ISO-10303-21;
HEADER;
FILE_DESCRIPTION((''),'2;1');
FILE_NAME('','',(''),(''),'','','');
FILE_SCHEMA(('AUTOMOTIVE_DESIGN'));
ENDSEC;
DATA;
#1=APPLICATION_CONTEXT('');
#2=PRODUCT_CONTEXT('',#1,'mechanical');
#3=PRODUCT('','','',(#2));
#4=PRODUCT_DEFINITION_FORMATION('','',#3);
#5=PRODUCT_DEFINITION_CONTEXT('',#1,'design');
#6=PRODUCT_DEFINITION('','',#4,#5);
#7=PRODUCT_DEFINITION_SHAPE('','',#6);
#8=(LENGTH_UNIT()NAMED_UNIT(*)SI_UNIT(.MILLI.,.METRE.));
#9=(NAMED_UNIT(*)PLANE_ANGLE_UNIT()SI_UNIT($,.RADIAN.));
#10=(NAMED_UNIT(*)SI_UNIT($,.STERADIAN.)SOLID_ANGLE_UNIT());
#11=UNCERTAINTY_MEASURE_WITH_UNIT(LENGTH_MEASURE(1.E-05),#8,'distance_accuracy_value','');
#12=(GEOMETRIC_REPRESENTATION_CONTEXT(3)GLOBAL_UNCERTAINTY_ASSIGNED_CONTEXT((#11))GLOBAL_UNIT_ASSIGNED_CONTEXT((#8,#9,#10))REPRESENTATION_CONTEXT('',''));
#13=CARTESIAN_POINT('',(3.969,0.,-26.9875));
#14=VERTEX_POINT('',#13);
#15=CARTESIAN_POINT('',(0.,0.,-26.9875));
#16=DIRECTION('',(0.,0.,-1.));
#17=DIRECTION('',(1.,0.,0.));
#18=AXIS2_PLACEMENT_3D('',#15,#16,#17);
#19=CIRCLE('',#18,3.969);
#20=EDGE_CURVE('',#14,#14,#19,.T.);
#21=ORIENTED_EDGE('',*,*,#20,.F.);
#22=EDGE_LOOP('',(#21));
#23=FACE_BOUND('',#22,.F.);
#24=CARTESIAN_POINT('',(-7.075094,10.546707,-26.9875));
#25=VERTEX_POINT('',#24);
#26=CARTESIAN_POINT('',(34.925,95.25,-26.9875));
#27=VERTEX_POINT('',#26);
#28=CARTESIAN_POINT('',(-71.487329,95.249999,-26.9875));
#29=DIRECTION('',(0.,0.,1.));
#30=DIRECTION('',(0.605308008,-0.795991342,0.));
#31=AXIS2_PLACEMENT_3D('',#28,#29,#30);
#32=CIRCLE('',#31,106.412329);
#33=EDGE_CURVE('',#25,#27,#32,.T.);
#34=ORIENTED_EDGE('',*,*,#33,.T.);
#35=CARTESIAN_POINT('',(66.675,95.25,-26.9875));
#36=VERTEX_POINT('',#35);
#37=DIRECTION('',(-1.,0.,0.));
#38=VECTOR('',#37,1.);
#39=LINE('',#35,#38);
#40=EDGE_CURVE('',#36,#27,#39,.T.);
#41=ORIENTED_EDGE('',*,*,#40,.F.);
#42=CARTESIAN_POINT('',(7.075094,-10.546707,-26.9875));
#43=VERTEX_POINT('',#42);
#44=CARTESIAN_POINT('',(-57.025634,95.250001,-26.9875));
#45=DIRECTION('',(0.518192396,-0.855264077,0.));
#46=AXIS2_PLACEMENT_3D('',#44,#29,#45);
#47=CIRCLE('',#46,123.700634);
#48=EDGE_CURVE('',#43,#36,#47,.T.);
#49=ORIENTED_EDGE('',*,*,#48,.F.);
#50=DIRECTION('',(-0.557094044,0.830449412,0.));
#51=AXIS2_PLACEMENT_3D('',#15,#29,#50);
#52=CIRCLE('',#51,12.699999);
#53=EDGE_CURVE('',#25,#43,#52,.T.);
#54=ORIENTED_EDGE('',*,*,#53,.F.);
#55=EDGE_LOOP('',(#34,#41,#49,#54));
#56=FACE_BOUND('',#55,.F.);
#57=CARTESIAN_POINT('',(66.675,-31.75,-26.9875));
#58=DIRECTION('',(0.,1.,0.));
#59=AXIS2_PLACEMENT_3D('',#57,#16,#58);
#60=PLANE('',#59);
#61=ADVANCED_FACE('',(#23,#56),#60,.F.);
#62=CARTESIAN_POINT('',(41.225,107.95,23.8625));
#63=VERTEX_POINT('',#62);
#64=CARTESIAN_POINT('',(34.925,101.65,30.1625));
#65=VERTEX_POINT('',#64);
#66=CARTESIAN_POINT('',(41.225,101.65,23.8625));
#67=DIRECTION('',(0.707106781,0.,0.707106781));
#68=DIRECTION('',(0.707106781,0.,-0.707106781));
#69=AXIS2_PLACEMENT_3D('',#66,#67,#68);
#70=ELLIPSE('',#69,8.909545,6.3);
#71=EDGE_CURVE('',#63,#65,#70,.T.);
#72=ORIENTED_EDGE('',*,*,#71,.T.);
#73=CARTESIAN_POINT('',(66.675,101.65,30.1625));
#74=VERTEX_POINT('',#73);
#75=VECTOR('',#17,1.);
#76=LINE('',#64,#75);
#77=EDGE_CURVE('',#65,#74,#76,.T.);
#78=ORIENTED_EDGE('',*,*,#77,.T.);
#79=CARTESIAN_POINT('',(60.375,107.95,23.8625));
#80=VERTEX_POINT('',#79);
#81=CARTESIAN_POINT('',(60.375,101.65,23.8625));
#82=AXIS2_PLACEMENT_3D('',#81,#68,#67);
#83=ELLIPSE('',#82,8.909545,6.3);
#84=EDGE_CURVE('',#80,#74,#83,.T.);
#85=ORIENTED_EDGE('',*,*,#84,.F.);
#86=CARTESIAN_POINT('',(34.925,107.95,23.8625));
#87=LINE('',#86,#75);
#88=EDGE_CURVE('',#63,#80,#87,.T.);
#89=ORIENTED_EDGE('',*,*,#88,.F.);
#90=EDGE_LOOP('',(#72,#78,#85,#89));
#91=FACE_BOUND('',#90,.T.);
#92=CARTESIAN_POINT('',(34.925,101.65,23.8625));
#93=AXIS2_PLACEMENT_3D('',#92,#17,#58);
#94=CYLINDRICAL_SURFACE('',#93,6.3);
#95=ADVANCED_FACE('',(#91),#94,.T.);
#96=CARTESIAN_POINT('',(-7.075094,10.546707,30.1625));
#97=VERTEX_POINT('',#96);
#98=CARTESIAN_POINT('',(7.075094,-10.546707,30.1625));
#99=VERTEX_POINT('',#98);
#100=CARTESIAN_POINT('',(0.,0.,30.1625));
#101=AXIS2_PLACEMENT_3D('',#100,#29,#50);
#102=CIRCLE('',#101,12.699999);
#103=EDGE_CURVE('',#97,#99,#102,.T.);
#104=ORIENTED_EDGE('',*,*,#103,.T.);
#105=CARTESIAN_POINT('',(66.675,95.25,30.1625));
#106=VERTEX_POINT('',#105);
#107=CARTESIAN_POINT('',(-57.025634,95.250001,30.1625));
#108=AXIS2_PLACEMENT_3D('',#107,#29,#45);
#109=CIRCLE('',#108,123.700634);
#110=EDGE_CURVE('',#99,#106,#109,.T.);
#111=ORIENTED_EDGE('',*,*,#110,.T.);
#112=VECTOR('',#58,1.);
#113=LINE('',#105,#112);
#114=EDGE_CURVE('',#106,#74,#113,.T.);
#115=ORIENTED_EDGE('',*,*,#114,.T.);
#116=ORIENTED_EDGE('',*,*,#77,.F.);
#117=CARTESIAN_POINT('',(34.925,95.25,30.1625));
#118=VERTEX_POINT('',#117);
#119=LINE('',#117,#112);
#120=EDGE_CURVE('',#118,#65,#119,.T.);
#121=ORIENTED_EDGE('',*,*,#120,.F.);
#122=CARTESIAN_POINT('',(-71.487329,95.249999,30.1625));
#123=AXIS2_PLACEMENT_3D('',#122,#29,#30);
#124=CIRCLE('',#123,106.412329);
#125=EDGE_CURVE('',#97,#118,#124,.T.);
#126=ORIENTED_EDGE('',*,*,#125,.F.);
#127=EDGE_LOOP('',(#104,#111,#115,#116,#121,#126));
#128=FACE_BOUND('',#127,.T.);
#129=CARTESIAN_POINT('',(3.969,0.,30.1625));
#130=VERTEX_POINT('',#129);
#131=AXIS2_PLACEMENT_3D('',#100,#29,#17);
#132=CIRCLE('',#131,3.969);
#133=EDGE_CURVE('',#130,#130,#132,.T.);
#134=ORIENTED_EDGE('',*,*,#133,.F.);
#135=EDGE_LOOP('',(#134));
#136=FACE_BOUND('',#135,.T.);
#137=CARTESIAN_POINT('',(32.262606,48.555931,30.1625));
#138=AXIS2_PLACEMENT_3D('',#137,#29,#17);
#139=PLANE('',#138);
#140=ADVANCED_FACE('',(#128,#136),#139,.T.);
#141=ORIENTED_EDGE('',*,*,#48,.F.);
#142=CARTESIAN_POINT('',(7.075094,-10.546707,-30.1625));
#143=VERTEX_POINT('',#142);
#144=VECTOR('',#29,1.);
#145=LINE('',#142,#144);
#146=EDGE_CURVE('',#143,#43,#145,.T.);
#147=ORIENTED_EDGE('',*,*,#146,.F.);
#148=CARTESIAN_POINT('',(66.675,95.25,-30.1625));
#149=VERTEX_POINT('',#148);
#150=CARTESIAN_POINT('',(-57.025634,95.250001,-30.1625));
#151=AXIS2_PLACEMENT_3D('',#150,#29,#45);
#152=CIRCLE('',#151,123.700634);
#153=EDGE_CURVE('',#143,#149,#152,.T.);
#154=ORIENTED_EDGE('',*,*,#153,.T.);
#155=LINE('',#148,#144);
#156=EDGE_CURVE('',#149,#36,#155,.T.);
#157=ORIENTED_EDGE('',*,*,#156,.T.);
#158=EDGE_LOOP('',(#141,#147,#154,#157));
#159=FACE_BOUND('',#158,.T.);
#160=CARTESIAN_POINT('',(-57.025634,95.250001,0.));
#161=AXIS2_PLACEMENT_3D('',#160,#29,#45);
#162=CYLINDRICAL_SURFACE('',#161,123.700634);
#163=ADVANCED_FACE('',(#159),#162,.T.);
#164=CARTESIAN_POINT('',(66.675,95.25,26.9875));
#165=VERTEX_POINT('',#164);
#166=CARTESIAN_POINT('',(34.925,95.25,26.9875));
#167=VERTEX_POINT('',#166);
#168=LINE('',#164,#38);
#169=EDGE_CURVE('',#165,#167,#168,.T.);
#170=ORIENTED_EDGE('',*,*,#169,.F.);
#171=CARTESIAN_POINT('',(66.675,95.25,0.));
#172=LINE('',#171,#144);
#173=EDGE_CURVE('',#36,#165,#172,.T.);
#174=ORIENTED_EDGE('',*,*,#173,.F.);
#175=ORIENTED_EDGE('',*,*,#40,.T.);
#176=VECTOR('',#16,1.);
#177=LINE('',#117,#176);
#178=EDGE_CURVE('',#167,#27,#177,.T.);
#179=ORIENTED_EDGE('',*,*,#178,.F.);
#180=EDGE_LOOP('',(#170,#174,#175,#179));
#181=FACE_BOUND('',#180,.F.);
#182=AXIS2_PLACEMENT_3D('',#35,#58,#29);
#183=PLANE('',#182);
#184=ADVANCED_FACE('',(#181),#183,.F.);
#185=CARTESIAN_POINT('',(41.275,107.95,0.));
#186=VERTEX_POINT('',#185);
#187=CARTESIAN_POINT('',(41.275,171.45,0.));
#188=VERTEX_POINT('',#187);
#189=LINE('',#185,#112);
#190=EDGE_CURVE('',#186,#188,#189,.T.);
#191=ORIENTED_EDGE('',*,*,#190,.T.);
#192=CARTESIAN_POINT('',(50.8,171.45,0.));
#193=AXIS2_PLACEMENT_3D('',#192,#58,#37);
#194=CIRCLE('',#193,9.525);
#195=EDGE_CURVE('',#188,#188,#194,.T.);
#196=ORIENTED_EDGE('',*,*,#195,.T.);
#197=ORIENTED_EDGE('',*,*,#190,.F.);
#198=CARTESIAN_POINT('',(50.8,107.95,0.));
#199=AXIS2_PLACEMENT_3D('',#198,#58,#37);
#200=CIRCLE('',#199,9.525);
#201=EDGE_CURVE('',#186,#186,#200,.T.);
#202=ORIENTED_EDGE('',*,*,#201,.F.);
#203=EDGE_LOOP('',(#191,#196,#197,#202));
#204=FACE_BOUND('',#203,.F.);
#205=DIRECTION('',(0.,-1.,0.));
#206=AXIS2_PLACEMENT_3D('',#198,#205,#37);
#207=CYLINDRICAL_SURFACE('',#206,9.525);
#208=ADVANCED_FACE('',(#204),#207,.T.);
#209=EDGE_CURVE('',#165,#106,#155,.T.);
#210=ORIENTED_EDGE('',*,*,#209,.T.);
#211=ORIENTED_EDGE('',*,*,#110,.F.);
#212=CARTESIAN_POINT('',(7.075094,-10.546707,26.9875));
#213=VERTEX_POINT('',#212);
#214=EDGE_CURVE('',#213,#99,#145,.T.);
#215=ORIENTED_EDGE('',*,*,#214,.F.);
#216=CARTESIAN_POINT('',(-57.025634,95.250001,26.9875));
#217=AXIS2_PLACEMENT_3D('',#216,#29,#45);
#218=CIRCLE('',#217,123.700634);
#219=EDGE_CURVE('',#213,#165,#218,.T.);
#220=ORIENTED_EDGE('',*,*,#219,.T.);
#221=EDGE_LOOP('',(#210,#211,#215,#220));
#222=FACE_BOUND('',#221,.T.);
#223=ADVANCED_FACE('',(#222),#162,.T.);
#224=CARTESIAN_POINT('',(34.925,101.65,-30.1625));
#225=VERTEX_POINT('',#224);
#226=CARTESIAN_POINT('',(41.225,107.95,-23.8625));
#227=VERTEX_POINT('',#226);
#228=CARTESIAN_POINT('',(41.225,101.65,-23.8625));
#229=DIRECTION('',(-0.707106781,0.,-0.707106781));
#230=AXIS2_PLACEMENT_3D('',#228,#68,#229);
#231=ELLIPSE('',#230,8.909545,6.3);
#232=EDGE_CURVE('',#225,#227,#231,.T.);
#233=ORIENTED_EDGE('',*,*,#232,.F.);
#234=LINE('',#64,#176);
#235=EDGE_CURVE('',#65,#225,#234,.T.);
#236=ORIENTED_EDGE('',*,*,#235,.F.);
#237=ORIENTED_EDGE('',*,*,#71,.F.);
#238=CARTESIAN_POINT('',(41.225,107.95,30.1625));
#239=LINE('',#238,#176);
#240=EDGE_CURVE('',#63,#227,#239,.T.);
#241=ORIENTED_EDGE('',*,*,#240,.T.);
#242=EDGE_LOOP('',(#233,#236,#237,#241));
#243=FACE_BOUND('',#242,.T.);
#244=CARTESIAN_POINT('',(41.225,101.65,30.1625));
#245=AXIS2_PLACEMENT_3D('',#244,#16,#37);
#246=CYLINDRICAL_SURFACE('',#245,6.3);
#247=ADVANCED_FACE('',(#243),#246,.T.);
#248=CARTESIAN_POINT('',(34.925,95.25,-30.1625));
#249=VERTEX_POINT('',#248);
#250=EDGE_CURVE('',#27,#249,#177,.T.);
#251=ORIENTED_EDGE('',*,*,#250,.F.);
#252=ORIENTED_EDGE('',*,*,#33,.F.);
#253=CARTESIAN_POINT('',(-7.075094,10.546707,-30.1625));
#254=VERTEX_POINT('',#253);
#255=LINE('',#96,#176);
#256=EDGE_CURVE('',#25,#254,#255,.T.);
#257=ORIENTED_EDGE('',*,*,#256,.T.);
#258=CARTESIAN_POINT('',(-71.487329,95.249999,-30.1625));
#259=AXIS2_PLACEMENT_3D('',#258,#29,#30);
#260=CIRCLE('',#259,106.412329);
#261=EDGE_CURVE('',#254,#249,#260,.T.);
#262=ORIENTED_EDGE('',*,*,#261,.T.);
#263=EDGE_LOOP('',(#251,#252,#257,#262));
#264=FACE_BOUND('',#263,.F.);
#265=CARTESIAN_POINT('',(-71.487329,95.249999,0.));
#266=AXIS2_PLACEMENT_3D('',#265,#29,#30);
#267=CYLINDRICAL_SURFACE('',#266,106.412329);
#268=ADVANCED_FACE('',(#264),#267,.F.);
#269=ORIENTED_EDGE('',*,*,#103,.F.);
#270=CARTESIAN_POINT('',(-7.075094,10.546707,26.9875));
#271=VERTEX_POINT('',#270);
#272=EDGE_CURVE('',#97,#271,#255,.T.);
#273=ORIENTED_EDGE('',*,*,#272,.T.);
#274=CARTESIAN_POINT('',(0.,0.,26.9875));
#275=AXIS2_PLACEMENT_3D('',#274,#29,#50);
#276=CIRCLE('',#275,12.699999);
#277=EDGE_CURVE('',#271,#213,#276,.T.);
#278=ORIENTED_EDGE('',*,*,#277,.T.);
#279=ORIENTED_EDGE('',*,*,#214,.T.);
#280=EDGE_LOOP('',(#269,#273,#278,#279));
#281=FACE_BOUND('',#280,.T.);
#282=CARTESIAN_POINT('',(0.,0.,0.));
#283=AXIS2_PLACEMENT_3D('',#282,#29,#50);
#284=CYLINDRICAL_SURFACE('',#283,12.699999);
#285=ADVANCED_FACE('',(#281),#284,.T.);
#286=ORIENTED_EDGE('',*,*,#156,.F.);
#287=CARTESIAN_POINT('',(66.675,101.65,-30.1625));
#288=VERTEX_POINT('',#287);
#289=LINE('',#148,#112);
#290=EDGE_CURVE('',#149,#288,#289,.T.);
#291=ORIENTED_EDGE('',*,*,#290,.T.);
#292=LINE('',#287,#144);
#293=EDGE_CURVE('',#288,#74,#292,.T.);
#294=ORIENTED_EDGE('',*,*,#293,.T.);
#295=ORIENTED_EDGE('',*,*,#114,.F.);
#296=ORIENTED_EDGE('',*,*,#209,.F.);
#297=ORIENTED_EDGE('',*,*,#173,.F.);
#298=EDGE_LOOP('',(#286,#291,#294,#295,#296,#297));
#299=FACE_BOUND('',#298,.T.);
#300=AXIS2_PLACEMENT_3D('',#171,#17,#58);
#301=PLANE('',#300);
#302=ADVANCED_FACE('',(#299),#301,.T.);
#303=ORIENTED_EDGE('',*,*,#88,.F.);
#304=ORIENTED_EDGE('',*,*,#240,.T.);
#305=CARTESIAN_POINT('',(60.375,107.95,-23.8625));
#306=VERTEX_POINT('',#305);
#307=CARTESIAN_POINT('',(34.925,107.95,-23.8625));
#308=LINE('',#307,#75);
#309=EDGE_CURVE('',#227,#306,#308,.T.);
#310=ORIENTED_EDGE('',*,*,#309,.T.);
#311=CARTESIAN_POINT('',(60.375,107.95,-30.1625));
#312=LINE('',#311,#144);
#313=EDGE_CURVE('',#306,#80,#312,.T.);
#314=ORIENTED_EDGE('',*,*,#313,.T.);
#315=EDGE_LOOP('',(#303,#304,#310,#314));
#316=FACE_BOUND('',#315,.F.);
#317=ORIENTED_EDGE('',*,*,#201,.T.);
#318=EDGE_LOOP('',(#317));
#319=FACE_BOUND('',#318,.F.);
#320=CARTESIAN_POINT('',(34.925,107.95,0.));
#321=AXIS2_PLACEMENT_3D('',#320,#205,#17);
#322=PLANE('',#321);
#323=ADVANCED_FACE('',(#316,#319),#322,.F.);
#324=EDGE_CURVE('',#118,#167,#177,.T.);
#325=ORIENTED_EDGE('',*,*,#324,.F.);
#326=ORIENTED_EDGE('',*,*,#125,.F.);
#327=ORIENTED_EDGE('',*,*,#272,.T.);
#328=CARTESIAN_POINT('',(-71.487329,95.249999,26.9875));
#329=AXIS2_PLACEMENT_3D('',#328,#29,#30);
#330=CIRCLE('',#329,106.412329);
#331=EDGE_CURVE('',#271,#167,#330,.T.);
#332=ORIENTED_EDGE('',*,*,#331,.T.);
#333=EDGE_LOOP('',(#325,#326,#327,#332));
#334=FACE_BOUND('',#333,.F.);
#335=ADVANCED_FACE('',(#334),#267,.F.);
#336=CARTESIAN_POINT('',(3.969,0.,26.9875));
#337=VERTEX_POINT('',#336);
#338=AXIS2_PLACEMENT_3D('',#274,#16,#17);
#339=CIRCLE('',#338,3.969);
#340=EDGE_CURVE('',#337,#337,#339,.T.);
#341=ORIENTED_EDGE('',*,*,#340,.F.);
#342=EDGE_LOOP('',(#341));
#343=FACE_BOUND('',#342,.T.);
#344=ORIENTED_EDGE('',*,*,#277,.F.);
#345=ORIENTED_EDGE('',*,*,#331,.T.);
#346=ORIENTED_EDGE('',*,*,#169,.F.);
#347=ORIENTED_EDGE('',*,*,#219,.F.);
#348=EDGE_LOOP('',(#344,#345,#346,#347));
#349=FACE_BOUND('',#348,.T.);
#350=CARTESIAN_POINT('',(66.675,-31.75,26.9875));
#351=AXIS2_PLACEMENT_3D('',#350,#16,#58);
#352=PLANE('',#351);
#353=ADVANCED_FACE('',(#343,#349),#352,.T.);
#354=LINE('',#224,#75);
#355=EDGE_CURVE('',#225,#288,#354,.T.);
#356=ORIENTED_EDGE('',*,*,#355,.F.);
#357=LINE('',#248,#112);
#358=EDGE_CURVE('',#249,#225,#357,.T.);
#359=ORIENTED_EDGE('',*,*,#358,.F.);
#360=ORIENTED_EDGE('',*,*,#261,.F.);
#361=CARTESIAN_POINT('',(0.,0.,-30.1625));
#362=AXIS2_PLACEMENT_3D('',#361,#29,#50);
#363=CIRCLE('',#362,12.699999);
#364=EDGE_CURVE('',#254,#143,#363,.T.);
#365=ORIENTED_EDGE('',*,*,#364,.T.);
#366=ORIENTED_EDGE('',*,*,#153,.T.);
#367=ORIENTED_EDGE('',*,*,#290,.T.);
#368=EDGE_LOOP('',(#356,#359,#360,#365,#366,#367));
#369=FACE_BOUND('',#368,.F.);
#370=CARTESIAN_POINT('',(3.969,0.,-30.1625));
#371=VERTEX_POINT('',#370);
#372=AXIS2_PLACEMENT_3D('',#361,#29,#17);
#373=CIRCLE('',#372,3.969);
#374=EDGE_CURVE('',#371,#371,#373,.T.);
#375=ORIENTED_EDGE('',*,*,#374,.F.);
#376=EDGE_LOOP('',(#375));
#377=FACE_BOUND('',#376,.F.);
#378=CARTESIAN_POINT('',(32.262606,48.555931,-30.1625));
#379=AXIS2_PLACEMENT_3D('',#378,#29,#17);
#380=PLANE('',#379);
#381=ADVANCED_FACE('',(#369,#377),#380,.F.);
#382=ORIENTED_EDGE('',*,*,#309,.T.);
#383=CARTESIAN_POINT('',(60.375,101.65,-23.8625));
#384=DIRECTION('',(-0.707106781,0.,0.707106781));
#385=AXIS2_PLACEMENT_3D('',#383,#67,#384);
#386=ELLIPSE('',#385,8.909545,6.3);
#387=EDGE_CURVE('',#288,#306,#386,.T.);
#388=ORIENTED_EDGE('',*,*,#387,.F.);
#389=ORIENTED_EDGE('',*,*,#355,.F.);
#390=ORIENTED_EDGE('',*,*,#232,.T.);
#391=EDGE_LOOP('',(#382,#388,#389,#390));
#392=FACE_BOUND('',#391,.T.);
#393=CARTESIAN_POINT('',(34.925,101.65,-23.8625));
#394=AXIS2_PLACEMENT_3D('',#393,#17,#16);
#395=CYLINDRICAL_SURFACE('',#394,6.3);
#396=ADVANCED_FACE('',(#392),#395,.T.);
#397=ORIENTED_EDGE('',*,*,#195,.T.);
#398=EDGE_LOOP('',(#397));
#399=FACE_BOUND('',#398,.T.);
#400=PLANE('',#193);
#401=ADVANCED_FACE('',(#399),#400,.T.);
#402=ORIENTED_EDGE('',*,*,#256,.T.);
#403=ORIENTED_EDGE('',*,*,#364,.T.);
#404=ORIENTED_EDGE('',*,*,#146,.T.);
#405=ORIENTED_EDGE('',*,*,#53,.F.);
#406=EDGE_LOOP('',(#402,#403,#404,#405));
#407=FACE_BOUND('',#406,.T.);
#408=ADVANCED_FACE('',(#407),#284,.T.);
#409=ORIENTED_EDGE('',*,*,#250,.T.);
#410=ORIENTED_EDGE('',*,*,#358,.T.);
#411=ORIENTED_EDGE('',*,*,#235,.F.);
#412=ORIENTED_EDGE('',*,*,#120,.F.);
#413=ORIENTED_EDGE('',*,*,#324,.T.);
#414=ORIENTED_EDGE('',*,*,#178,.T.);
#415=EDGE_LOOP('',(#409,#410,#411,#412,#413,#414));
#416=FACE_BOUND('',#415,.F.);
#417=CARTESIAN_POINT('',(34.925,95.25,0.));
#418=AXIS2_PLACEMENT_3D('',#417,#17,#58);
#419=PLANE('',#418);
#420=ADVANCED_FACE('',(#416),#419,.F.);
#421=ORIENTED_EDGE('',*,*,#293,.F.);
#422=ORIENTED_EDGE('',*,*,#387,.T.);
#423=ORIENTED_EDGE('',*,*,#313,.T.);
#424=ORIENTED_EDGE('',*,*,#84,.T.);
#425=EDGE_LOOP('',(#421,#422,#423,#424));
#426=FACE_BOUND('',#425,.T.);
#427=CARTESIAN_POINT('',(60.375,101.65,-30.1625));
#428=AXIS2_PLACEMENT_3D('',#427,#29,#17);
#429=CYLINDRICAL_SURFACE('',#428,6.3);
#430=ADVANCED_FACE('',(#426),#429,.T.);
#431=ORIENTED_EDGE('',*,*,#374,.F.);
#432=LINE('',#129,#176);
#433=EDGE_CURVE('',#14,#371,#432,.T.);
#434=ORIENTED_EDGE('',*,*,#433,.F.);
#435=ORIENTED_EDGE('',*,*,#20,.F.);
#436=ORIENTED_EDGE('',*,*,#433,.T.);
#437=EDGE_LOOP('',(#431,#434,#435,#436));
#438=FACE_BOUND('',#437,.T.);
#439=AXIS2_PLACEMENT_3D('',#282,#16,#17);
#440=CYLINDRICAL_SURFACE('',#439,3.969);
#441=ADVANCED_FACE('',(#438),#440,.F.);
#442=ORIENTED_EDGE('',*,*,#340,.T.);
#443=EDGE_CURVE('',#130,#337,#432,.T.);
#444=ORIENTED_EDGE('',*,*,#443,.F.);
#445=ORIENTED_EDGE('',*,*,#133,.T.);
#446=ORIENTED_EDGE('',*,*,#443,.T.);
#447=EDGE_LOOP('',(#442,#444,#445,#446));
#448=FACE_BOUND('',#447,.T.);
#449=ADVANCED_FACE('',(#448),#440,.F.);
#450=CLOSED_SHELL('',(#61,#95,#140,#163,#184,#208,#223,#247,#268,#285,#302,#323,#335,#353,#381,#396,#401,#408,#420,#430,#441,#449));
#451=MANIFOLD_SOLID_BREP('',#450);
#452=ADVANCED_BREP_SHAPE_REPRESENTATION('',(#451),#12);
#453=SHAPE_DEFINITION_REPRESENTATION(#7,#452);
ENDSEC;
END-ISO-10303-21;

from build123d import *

# Parameters (mm, degrees)
SKETCH_R     = 3.969
PAD_DEPTH    = 30.1625
SKETCH001_W  = 127
SKETCH001_H  = 53.975
POCKET_DEPTH = 79.376
SKETCH002_R  = 9.525
PAD001_DEPTH = 63.5
FILLET_R     = 6.3


with BuildPart() as part:
    # Sketch → Pad (new body, symmetric)
    with BuildSketch(Plane.XY):
        with BuildLine():
            ThreePointArc((-7.075094, 10.546707), (-10.546707, -7.075094), (7.075094, -10.546707))
            ThreePointArc((7.075094, -10.546707), (50.749937, 34.535315), (66.675, 95.25))
            Line((66.675, 95.25), (66.675, 107.95))
            Line((34.925, 107.95), (66.675, 107.95))
            Line((34.925, 95.25), (34.925, 107.95))
            ThreePointArc((-7.075094, 10.546707), (23.848498, 47.977768), (34.925, 95.25))
        make_face()
        Circle(SKETCH_R, mode=Mode.SUBTRACT)
    extrude(amount=PAD_DEPTH, both=True)

    # Sketch001 (on Face4 of Pad) → Pocket (cut, through all)
    with BuildSketch(Plane.YZ.offset(66.675)):
        with Locations((31.75, 0)):
            Rectangle(SKETCH001_W, SKETCH001_H)
    extrude(amount=-POCKET_DEPTH, mode=Mode.SUBTRACT)

    # Sketch002 (on Face8 of Pocket) → Pad001 (join)
    with BuildSketch(Plane(origin=(0, 107.95, 0), x_dir=(-1, 0, 0), z_dir=(0, 1, 0))):
        with Locations((-50.8, 0)):
            Circle(SKETCH002_R)
    extrude(amount=PAD001_DEPTH)

    # Fillet
    fillet_edges = [part.edges().sort_by_distance(p)[0] for p in [
        (50.8, 107.95, 30.1625),
        (66.675, 107.95, 0),
        (34.925, 107.95, 0),
        (50.8, 107.95, -30.1625),
    ]]
    fillet(fillet_edges, radius=FILLET_R)


solid = part.part
